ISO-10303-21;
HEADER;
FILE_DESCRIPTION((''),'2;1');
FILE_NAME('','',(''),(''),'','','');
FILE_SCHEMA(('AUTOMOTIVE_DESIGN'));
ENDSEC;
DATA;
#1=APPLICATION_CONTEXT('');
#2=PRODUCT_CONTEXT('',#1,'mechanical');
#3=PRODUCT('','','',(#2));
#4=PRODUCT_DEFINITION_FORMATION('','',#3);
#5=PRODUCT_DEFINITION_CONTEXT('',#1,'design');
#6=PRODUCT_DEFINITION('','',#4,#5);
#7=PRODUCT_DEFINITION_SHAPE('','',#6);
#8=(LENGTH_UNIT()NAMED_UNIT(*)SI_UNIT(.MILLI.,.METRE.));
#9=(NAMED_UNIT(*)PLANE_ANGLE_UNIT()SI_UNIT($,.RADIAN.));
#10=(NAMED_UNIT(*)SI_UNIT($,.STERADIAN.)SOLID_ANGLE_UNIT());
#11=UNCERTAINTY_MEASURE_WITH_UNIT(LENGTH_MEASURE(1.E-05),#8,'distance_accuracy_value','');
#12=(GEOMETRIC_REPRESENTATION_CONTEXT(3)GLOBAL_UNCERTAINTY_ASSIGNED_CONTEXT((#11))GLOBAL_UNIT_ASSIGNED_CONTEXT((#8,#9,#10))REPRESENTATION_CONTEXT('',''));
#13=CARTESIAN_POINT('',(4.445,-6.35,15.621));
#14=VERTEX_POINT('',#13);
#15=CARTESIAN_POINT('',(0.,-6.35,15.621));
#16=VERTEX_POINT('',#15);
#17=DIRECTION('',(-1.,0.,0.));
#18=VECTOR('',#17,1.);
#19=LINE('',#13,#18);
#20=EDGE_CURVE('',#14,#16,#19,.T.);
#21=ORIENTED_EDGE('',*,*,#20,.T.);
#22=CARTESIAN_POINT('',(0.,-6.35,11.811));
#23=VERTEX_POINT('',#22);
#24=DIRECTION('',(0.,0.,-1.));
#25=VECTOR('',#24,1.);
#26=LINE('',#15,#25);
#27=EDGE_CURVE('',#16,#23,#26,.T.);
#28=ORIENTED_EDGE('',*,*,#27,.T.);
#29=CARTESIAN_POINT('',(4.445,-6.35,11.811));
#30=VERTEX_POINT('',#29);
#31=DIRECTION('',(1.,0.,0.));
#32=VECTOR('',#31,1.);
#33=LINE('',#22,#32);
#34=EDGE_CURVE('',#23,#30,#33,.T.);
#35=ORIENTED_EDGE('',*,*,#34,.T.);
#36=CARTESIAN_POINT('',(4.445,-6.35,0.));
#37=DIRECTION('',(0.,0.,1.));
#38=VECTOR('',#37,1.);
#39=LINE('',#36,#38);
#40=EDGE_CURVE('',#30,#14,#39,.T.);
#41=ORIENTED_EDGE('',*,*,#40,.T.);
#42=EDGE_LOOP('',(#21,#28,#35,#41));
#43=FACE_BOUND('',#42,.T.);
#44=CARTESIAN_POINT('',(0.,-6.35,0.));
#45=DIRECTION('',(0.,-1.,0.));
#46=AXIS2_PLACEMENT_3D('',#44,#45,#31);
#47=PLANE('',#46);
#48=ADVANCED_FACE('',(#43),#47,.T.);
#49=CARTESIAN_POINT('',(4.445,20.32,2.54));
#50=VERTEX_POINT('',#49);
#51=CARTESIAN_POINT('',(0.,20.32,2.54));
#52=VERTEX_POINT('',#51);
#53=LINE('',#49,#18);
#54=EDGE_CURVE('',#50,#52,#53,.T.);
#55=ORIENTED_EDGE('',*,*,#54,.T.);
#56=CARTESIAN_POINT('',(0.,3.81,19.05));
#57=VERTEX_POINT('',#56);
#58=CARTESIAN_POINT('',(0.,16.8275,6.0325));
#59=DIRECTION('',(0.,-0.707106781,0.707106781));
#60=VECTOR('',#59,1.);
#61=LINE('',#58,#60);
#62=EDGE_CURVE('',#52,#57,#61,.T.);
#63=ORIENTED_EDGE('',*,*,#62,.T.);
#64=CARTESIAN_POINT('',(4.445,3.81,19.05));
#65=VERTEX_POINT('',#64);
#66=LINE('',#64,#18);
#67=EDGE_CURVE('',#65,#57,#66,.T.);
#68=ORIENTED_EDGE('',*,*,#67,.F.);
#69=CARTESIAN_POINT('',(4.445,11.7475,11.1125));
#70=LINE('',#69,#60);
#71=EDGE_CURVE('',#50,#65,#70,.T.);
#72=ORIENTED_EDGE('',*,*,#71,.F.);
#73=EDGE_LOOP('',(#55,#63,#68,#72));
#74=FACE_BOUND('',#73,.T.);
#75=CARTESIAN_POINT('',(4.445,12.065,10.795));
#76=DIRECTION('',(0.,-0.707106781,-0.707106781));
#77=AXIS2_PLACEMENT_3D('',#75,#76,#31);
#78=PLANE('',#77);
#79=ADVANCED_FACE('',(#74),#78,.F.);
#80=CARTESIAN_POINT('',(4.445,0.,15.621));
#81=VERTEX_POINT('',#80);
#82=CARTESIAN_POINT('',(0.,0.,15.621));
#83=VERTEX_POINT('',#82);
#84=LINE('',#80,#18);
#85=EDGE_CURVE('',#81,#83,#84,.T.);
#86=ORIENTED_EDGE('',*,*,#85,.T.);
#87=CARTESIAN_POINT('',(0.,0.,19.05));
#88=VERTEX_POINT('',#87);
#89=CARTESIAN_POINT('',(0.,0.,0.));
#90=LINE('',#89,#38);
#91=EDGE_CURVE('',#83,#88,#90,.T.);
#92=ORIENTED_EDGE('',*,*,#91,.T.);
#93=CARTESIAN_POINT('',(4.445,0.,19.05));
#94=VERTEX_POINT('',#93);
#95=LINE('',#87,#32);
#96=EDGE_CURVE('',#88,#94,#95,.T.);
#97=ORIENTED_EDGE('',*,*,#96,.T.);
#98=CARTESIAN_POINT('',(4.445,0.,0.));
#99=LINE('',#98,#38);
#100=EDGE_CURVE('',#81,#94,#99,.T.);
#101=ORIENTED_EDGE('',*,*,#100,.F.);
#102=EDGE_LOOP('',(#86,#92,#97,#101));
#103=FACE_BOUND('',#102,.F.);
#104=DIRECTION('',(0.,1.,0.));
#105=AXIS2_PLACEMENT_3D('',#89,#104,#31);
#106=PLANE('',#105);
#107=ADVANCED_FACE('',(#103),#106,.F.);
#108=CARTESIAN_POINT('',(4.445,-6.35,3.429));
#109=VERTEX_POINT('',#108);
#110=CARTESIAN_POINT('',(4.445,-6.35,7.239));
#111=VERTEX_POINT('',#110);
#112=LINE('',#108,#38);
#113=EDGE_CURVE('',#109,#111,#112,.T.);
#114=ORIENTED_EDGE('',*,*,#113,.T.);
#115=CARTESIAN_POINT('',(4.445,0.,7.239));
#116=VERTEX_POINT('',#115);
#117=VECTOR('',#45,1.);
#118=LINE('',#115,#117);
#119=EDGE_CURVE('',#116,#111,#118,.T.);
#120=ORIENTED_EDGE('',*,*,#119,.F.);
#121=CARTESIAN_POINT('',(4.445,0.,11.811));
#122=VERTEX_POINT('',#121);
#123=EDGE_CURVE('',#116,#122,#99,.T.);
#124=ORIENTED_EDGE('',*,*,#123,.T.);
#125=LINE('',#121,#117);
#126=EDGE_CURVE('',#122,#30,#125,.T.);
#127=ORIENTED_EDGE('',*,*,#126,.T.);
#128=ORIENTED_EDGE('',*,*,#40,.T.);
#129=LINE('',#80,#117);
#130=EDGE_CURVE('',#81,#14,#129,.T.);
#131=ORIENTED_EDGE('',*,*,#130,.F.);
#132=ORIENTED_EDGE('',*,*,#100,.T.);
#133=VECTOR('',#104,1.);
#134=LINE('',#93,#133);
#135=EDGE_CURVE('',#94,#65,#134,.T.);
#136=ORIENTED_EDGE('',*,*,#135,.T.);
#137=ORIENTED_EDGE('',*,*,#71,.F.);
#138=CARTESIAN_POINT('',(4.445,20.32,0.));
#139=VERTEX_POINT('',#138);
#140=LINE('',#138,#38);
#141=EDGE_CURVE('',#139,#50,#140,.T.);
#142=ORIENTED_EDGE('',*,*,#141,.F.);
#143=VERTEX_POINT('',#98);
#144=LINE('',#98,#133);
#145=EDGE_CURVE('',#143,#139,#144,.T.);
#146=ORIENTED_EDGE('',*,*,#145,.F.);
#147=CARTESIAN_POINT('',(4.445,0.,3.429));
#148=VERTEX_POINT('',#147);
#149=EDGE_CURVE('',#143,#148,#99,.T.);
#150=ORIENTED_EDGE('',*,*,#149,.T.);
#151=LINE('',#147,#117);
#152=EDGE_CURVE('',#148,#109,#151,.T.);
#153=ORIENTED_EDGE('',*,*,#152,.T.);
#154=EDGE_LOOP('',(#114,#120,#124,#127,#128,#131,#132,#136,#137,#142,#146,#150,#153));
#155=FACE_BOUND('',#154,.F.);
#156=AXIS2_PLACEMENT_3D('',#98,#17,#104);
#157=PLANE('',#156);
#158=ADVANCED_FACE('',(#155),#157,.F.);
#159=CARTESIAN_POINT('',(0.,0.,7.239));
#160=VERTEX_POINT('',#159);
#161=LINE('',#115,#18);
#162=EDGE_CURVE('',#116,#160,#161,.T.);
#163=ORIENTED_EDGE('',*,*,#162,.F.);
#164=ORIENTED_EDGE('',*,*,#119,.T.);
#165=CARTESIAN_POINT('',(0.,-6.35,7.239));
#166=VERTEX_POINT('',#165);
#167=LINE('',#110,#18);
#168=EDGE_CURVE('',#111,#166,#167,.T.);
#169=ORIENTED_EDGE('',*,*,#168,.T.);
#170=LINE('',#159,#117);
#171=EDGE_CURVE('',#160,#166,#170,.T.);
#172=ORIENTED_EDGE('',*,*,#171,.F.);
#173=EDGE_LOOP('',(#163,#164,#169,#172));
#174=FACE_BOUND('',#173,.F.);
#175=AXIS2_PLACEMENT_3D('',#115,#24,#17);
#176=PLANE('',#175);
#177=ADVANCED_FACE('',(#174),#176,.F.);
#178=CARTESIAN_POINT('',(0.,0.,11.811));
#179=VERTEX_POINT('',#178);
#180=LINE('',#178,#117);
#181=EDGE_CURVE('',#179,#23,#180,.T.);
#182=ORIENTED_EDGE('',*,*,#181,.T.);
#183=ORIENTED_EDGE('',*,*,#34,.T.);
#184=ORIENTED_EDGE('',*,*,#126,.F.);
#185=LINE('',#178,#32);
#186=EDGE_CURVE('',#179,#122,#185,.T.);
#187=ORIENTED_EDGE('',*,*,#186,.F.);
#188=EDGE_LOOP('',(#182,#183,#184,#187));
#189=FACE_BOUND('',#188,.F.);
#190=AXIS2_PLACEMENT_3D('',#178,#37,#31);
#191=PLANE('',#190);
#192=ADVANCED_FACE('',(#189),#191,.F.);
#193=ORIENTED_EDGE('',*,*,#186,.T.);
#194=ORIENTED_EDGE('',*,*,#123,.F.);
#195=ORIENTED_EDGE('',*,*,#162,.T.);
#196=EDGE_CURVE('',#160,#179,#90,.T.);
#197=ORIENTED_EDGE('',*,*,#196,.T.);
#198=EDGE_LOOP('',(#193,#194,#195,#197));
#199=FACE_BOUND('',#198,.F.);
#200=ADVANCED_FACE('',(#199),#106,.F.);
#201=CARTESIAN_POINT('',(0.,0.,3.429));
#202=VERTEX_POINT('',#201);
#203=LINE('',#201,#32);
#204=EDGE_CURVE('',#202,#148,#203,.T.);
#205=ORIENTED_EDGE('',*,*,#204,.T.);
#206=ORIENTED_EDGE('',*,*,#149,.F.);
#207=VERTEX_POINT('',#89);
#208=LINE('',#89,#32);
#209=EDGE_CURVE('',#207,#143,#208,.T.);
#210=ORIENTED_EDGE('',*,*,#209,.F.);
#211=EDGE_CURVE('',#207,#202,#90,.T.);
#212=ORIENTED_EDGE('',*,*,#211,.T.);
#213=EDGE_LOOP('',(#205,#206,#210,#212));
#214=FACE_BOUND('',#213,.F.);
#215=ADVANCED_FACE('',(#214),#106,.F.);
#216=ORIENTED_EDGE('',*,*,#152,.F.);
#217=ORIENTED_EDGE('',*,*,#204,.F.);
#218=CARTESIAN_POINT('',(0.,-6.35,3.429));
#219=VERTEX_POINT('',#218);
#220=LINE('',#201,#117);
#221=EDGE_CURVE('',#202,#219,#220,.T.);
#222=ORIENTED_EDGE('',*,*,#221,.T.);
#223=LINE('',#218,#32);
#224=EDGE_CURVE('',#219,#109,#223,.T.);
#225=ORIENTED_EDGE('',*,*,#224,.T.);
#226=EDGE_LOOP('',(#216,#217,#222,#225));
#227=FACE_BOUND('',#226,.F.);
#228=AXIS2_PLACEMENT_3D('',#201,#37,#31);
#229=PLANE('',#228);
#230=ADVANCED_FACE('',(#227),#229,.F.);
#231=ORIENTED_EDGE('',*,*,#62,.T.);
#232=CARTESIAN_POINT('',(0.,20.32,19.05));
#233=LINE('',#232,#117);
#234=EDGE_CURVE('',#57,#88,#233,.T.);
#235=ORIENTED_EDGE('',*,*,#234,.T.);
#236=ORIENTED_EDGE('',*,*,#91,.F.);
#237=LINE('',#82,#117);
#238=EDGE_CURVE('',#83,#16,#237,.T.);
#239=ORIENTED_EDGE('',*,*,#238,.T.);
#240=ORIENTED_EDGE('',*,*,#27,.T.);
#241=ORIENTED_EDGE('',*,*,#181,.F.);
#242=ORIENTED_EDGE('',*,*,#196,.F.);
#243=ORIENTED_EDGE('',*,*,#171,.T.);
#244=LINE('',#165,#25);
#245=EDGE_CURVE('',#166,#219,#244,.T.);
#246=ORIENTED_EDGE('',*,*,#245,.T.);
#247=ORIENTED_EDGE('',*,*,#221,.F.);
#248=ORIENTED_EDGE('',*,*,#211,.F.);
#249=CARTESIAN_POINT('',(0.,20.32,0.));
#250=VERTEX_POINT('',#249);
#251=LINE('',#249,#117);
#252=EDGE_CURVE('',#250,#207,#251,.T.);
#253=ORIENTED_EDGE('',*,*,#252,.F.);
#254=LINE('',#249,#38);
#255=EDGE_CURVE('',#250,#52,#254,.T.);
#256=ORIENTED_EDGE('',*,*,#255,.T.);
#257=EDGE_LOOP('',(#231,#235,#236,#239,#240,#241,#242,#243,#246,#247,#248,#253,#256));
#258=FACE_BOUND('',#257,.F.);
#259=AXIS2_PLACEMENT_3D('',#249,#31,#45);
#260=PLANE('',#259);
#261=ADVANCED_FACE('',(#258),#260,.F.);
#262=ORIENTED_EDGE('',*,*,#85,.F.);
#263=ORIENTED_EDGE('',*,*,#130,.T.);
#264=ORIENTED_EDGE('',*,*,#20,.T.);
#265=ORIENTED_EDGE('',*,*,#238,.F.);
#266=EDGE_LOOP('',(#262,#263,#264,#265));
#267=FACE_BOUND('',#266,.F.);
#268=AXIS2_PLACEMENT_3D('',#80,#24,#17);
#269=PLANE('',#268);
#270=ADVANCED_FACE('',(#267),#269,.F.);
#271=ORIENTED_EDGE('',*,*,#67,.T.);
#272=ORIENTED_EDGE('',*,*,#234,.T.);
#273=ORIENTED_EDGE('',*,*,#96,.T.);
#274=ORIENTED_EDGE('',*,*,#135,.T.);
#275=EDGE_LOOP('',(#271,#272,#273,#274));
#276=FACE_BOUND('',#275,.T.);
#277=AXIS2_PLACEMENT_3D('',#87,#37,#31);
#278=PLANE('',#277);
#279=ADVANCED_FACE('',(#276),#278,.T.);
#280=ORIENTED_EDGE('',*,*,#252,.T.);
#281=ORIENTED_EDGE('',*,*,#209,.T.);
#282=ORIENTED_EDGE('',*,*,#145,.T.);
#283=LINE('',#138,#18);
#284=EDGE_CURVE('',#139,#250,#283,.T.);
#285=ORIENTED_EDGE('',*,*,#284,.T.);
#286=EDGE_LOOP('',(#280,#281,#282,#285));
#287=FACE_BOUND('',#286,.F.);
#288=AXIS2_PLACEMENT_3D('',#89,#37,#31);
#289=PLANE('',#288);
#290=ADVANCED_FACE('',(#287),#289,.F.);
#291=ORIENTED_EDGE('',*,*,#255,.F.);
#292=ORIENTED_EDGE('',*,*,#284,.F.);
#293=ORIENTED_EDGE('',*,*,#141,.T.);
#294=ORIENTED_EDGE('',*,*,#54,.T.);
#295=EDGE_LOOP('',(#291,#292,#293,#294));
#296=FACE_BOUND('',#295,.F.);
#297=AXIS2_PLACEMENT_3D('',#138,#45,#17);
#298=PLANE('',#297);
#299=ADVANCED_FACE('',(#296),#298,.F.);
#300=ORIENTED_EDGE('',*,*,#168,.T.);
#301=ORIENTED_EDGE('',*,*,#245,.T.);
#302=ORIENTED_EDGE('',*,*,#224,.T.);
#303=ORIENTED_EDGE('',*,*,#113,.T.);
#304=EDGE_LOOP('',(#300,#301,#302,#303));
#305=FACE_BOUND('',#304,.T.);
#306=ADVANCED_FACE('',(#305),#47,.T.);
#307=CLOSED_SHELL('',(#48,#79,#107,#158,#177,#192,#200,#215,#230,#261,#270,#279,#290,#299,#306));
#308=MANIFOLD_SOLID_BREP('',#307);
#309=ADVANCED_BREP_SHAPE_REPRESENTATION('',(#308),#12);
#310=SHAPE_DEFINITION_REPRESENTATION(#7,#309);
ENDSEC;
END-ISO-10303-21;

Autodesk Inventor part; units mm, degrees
ref_plane "YZ Plane" through (0, 0, 0) normal (1, 0, 0) x (0, 1, 0)
ref_plane "XZ Plane" through (0, 0, 0) normal (0, 1, 0) x (-1, 0, 0)
ref_plane "XY Plane" through (0, 0, 0) normal (0, 0, 1) x (1, 0, 0)
sketch "Sketch1" plane through (0, 0, 0) normal (0, 0, 1) x (1, 0, 0)
  line L0 (0, 0) -> (4.445, 0)
  line L1 (4.445, 0) -> (4.445, 20.32)
  line L2 (4.445, 20.32) -> (0, 20.32)
  line L3 (0, 20.32) -> (0, 0)
  dimension "d0" = 4.445
  dimension "d1" = 20.32
extrude "Extrusion1" add sketch "Sketch1" along normal blind 19.05
chamfer "Chamfer1" distance 16.51 angle 45 1 edges at (2.2225, 20.32, 19.05)
sketch "Sketch2" plane through (0, 0, 0) normal (0, -1, 0) x (1, 0, 0)
  line L0 (0, 19.05) -> (4.445, 19.05) projected
  line L1 (0, 0) -> (4.445, 0) projected
  line L2 (0, 3.429) -> (4.445, 3.429)
  line L3 (4.445, 3.429) -> (4.445, 7.239)
  line L4 (4.445, 7.239) -> (0, 7.239)
  line L5 (0, 7.239) -> (0, 3.429)
  line L6 (4.445, 0) -> (4.445, 19.05) projected
  line L7 (0, 11.811) -> (4.445, 11.811)
  line L8 (4.445, 11.811) -> (4.445, 15.621)
  line L9 (4.445, 15.621) -> (0, 15.621)
  line L10 (0, 15.621) -> (0, 11.811)
  dimension "d7" = 19.05
  dimension "d8" = 3.81
  dimension "d9" = 3.81
  dimension "d10" = 4.445
  dimension "d11" = 4.445
  dimension "d12" = 3.429
  dimension "d13" = 3.429
  dimension "d16" = 8.382
extrude "Extrusion2" add sketch "Sketch2" along normal blind 6.35
properties part number "MonsterHolderSupport1"
